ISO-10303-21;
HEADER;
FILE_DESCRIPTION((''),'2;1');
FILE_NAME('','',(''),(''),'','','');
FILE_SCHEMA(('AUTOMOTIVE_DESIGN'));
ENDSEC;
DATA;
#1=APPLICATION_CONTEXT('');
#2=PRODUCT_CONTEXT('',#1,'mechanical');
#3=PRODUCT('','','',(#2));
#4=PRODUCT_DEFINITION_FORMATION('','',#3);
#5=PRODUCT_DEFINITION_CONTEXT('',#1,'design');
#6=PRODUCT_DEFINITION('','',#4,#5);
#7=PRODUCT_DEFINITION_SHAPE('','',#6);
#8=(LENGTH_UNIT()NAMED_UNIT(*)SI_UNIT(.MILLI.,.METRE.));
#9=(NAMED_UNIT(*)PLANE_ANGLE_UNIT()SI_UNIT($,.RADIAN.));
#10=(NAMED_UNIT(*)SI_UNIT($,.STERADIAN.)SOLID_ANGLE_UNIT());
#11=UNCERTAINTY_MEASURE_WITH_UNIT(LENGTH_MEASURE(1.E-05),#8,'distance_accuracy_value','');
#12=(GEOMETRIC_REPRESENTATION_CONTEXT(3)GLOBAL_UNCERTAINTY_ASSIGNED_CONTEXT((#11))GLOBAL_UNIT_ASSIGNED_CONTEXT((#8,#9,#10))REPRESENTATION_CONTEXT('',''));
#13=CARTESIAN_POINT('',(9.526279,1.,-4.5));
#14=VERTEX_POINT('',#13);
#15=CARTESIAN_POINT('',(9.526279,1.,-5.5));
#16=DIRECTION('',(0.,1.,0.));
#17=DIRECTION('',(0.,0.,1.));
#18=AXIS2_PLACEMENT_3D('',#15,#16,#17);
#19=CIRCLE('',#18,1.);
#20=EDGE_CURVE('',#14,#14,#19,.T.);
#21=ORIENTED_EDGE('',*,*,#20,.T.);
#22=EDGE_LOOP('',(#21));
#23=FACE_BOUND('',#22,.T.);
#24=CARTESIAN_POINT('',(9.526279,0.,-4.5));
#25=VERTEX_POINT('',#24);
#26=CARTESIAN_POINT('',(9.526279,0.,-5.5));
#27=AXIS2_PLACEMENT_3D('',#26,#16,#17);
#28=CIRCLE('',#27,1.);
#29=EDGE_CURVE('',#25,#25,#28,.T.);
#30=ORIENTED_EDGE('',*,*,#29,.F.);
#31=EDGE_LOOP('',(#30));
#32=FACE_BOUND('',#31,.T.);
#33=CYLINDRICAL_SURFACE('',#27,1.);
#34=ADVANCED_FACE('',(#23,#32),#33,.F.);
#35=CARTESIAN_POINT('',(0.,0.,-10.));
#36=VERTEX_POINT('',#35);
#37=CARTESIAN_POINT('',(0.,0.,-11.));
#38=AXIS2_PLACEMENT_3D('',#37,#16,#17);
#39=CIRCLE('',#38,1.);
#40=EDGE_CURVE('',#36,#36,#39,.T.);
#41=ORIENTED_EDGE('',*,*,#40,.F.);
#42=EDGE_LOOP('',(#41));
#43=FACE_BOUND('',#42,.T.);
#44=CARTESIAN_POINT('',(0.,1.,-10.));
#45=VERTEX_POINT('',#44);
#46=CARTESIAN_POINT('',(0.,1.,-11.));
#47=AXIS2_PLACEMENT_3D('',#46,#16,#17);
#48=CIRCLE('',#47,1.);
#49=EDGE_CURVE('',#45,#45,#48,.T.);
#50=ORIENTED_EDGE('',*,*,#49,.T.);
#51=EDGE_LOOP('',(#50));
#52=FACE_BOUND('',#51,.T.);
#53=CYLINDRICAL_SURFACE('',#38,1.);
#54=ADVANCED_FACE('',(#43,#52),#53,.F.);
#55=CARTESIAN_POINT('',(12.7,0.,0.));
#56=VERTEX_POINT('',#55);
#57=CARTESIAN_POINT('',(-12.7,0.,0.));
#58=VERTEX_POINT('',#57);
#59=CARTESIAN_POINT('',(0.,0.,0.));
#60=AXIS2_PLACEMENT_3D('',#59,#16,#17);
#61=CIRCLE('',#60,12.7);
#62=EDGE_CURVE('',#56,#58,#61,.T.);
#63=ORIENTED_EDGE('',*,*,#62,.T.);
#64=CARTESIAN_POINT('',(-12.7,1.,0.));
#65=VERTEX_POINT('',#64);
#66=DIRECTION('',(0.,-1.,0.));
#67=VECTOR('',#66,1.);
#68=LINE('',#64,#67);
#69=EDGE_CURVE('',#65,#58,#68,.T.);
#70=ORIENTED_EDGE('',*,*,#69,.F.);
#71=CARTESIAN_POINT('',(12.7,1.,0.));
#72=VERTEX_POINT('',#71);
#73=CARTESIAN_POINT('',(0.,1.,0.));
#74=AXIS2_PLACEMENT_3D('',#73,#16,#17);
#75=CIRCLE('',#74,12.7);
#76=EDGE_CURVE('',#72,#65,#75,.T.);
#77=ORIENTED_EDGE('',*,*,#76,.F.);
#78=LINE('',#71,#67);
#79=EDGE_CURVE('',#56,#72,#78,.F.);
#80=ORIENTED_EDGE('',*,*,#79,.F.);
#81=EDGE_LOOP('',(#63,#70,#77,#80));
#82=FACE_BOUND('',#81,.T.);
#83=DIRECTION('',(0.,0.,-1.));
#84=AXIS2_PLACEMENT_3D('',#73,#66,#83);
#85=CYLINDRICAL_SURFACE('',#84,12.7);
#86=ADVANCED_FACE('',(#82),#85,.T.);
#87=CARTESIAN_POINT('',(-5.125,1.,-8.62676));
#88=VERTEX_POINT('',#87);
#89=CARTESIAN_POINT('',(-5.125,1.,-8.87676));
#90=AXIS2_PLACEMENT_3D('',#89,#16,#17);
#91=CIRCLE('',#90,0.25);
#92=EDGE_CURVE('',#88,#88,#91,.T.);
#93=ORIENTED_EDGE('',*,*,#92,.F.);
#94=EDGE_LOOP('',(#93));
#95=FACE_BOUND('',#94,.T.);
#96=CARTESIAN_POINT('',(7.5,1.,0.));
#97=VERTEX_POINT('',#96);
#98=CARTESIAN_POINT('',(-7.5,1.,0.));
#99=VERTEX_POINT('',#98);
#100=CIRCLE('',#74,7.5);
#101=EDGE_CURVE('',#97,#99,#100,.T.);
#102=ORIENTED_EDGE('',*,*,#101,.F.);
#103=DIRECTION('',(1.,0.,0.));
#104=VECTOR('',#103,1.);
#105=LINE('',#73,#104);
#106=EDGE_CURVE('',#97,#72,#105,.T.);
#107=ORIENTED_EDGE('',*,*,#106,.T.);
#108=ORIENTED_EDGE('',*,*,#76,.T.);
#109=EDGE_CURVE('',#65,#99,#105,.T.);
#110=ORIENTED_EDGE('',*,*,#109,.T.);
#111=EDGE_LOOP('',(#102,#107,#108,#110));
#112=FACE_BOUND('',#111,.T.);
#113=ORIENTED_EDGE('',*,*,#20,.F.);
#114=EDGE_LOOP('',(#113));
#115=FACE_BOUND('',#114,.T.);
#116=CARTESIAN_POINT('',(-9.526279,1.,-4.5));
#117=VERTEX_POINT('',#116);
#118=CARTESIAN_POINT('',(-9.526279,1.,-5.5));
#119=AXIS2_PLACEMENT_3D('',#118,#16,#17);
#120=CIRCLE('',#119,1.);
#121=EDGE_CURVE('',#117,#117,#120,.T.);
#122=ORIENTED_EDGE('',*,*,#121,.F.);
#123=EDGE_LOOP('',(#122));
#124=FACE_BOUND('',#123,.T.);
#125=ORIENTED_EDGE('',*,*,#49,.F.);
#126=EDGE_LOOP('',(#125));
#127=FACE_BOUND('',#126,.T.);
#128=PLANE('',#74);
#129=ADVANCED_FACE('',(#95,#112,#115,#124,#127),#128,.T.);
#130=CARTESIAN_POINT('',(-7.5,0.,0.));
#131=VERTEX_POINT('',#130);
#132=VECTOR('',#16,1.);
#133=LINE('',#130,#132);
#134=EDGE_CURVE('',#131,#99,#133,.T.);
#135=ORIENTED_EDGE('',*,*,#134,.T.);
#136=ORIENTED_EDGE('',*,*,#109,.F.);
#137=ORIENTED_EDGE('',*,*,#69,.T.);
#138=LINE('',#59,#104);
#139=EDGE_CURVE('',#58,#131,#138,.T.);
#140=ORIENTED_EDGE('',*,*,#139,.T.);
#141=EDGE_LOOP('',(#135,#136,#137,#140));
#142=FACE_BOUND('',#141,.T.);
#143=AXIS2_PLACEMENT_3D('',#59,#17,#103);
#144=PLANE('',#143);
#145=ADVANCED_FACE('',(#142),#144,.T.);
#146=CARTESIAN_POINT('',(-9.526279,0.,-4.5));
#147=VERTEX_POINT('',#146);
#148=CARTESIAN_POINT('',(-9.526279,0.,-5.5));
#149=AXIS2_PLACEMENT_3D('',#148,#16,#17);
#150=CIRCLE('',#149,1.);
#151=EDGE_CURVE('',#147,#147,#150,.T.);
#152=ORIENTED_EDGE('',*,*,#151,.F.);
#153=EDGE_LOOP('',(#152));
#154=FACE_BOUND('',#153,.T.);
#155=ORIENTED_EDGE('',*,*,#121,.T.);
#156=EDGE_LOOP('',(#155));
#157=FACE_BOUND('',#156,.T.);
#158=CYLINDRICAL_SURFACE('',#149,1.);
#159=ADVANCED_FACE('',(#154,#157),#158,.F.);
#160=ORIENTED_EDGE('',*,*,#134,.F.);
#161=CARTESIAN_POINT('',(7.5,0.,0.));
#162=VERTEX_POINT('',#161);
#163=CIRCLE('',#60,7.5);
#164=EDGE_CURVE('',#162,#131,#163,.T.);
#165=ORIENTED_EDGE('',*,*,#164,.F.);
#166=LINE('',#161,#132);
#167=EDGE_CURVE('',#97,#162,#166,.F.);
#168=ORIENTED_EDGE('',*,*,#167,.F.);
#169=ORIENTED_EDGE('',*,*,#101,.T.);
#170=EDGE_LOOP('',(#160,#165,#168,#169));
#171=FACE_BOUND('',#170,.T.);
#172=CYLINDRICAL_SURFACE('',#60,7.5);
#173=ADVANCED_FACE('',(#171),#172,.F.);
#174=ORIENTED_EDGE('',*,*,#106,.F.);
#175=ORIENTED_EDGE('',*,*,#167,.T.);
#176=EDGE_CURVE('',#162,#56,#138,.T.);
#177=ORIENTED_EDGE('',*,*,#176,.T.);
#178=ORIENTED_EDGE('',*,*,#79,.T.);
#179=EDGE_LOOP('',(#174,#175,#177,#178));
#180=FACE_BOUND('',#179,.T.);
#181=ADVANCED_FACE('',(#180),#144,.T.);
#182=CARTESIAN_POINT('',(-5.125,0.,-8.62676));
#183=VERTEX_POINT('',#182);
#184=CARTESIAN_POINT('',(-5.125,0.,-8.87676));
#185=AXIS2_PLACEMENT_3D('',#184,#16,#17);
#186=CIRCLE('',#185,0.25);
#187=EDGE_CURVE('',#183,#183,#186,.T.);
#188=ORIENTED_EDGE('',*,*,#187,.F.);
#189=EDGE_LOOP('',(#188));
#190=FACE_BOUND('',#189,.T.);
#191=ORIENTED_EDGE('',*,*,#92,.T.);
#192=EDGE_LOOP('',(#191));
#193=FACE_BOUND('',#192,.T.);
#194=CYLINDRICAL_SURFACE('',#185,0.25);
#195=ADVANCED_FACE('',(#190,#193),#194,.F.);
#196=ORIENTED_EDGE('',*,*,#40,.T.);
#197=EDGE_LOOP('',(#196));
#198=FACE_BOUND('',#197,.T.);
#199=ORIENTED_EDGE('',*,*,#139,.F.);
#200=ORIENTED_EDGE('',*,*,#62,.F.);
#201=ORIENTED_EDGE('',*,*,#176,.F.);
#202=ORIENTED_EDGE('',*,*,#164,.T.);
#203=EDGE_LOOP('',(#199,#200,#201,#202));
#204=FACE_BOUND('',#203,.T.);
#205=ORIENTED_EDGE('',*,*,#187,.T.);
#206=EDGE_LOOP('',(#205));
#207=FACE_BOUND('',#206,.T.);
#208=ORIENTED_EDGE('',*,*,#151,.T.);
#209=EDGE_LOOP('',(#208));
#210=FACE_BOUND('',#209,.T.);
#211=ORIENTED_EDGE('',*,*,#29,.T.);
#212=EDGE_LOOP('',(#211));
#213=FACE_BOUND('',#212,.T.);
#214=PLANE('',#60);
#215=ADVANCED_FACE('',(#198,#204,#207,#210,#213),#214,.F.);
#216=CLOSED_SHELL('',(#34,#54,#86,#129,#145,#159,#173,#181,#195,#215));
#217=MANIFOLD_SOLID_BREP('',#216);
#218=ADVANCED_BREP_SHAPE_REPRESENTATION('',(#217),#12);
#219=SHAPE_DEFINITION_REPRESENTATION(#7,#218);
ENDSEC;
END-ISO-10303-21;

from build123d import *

# Parameters (mm, degrees)
SKETCH1_R               = 12.7
BOSS_EXTRUDE1_DEPTH     = 1
CUT_EXTRUDE1_DEPTH      = 18.98832955
CUT_EXTRUDE1_DEPTH_BACK = 18.98832955
SKETCH19_R              = 1
CUT_EXTRUDE2_DEPTH      = 18.98832955
CUT_EXTRUDE2_DEPTH_BACK = 18.98832955
SKETCH20_R              = 7.5
SKETCH21_W              = 65.874202484
SKETCH21_H              = 51.979273979
CUT_EXTRUDE3_DEPTH      = 18.98832955
CUT_EXTRUDE4_DEPTH      = 18.98832955
CUT_EXTRUDE4_DEPTH_BACK = 18.98832955
SKETCH22_R              = 0.25


with BuildPart() as part:
    # Sketch1 → Boss-Extrude1 (new body)
    with BuildSketch(Plane(origin=(0, 0, 0), x_dir=(1, 0, 0), z_dir=(0, 1, 0))):
        with Locations(Location((0, 0, 0), (0, 0, 270))):
            Circle(SKETCH1_R)
    extrude(amount=BOSS_EXTRUDE1_DEPTH)

    # Sketch19 → Cut-Extrude1 (cut, two sides: drawn at the far end of the back side and taken through both)
    with BuildSketch(Plane(origin=(0, 1, 0), x_dir=(1, 0, 0), z_dir=(0, 1, 0)).offset(-CUT_EXTRUDE1_DEPTH_BACK)):
        with Locations(Location((0, 11, 0), (0, 0, 270))):
            Circle(SKETCH19_R)
        with Locations(Location((9.526279442, 5.5, 0), (0, 0, 270))):
            Circle(SKETCH19_R)
        with Locations(Location((9.526279442, -5.5, 0), (0, 0, 270))):
            Circle(SKETCH19_R)
        with Locations(Location((0, -11, 0), (0, 0, 270))):
            Circle(SKETCH19_R)
        with Locations(Location((-9.526279442, -5.5, 0), (0, 0, 270))):
            Circle(SKETCH19_R)
        with Locations(Location((-9.526279442, 5.5, 0), (0, 0, 270))):
            Circle(SKETCH19_R)
    extrude(amount=CUT_EXTRUDE1_DEPTH + CUT_EXTRUDE1_DEPTH_BACK, mode=Mode.SUBTRACT)

    # Sketch20 → Cut-Extrude2 (cut, two sides: drawn at the far end of the back side and taken through both)
    with BuildSketch(Plane(origin=(0, 1, 0), x_dir=(1, 0, 0), z_dir=(0, 1, 0)).offset(-CUT_EXTRUDE2_DEPTH_BACK)):
        with Locations(Location((0, 0, 0), (0, 0, 270))):
            Circle(SKETCH20_R)
    extrude(amount=CUT_EXTRUDE2_DEPTH + CUT_EXTRUDE2_DEPTH_BACK, mode=Mode.SUBTRACT)

    # Sketch21 → Cut-Extrude3 (cut, through all)
    with BuildSketch(Plane.XY):
        with Locations((-3.816154381, 6.321647006)):
            Rectangle(SKETCH21_W, SKETCH21_H)
    extrude(amount=CUT_EXTRUDE3_DEPTH, mode=Mode.SUBTRACT)

    # Sketch22 → Cut-Extrude4 (cut, two sides: drawn at the far end of the back side and taken through both)
    with BuildSketch(Plane(origin=(0, 1, 0), x_dir=(1, 0, 0), z_dir=(0, 1, 0)).offset(-CUT_EXTRUDE4_DEPTH_BACK)):
        with Locations(Location((-5.125, 8.876760389, 0), (0, 0, 270))):
            Circle(SKETCH22_R)
    extrude(amount=CUT_EXTRUDE4_DEPTH + CUT_EXTRUDE4_DEPTH_BACK, mode=Mode.SUBTRACT)


solid = part.part
